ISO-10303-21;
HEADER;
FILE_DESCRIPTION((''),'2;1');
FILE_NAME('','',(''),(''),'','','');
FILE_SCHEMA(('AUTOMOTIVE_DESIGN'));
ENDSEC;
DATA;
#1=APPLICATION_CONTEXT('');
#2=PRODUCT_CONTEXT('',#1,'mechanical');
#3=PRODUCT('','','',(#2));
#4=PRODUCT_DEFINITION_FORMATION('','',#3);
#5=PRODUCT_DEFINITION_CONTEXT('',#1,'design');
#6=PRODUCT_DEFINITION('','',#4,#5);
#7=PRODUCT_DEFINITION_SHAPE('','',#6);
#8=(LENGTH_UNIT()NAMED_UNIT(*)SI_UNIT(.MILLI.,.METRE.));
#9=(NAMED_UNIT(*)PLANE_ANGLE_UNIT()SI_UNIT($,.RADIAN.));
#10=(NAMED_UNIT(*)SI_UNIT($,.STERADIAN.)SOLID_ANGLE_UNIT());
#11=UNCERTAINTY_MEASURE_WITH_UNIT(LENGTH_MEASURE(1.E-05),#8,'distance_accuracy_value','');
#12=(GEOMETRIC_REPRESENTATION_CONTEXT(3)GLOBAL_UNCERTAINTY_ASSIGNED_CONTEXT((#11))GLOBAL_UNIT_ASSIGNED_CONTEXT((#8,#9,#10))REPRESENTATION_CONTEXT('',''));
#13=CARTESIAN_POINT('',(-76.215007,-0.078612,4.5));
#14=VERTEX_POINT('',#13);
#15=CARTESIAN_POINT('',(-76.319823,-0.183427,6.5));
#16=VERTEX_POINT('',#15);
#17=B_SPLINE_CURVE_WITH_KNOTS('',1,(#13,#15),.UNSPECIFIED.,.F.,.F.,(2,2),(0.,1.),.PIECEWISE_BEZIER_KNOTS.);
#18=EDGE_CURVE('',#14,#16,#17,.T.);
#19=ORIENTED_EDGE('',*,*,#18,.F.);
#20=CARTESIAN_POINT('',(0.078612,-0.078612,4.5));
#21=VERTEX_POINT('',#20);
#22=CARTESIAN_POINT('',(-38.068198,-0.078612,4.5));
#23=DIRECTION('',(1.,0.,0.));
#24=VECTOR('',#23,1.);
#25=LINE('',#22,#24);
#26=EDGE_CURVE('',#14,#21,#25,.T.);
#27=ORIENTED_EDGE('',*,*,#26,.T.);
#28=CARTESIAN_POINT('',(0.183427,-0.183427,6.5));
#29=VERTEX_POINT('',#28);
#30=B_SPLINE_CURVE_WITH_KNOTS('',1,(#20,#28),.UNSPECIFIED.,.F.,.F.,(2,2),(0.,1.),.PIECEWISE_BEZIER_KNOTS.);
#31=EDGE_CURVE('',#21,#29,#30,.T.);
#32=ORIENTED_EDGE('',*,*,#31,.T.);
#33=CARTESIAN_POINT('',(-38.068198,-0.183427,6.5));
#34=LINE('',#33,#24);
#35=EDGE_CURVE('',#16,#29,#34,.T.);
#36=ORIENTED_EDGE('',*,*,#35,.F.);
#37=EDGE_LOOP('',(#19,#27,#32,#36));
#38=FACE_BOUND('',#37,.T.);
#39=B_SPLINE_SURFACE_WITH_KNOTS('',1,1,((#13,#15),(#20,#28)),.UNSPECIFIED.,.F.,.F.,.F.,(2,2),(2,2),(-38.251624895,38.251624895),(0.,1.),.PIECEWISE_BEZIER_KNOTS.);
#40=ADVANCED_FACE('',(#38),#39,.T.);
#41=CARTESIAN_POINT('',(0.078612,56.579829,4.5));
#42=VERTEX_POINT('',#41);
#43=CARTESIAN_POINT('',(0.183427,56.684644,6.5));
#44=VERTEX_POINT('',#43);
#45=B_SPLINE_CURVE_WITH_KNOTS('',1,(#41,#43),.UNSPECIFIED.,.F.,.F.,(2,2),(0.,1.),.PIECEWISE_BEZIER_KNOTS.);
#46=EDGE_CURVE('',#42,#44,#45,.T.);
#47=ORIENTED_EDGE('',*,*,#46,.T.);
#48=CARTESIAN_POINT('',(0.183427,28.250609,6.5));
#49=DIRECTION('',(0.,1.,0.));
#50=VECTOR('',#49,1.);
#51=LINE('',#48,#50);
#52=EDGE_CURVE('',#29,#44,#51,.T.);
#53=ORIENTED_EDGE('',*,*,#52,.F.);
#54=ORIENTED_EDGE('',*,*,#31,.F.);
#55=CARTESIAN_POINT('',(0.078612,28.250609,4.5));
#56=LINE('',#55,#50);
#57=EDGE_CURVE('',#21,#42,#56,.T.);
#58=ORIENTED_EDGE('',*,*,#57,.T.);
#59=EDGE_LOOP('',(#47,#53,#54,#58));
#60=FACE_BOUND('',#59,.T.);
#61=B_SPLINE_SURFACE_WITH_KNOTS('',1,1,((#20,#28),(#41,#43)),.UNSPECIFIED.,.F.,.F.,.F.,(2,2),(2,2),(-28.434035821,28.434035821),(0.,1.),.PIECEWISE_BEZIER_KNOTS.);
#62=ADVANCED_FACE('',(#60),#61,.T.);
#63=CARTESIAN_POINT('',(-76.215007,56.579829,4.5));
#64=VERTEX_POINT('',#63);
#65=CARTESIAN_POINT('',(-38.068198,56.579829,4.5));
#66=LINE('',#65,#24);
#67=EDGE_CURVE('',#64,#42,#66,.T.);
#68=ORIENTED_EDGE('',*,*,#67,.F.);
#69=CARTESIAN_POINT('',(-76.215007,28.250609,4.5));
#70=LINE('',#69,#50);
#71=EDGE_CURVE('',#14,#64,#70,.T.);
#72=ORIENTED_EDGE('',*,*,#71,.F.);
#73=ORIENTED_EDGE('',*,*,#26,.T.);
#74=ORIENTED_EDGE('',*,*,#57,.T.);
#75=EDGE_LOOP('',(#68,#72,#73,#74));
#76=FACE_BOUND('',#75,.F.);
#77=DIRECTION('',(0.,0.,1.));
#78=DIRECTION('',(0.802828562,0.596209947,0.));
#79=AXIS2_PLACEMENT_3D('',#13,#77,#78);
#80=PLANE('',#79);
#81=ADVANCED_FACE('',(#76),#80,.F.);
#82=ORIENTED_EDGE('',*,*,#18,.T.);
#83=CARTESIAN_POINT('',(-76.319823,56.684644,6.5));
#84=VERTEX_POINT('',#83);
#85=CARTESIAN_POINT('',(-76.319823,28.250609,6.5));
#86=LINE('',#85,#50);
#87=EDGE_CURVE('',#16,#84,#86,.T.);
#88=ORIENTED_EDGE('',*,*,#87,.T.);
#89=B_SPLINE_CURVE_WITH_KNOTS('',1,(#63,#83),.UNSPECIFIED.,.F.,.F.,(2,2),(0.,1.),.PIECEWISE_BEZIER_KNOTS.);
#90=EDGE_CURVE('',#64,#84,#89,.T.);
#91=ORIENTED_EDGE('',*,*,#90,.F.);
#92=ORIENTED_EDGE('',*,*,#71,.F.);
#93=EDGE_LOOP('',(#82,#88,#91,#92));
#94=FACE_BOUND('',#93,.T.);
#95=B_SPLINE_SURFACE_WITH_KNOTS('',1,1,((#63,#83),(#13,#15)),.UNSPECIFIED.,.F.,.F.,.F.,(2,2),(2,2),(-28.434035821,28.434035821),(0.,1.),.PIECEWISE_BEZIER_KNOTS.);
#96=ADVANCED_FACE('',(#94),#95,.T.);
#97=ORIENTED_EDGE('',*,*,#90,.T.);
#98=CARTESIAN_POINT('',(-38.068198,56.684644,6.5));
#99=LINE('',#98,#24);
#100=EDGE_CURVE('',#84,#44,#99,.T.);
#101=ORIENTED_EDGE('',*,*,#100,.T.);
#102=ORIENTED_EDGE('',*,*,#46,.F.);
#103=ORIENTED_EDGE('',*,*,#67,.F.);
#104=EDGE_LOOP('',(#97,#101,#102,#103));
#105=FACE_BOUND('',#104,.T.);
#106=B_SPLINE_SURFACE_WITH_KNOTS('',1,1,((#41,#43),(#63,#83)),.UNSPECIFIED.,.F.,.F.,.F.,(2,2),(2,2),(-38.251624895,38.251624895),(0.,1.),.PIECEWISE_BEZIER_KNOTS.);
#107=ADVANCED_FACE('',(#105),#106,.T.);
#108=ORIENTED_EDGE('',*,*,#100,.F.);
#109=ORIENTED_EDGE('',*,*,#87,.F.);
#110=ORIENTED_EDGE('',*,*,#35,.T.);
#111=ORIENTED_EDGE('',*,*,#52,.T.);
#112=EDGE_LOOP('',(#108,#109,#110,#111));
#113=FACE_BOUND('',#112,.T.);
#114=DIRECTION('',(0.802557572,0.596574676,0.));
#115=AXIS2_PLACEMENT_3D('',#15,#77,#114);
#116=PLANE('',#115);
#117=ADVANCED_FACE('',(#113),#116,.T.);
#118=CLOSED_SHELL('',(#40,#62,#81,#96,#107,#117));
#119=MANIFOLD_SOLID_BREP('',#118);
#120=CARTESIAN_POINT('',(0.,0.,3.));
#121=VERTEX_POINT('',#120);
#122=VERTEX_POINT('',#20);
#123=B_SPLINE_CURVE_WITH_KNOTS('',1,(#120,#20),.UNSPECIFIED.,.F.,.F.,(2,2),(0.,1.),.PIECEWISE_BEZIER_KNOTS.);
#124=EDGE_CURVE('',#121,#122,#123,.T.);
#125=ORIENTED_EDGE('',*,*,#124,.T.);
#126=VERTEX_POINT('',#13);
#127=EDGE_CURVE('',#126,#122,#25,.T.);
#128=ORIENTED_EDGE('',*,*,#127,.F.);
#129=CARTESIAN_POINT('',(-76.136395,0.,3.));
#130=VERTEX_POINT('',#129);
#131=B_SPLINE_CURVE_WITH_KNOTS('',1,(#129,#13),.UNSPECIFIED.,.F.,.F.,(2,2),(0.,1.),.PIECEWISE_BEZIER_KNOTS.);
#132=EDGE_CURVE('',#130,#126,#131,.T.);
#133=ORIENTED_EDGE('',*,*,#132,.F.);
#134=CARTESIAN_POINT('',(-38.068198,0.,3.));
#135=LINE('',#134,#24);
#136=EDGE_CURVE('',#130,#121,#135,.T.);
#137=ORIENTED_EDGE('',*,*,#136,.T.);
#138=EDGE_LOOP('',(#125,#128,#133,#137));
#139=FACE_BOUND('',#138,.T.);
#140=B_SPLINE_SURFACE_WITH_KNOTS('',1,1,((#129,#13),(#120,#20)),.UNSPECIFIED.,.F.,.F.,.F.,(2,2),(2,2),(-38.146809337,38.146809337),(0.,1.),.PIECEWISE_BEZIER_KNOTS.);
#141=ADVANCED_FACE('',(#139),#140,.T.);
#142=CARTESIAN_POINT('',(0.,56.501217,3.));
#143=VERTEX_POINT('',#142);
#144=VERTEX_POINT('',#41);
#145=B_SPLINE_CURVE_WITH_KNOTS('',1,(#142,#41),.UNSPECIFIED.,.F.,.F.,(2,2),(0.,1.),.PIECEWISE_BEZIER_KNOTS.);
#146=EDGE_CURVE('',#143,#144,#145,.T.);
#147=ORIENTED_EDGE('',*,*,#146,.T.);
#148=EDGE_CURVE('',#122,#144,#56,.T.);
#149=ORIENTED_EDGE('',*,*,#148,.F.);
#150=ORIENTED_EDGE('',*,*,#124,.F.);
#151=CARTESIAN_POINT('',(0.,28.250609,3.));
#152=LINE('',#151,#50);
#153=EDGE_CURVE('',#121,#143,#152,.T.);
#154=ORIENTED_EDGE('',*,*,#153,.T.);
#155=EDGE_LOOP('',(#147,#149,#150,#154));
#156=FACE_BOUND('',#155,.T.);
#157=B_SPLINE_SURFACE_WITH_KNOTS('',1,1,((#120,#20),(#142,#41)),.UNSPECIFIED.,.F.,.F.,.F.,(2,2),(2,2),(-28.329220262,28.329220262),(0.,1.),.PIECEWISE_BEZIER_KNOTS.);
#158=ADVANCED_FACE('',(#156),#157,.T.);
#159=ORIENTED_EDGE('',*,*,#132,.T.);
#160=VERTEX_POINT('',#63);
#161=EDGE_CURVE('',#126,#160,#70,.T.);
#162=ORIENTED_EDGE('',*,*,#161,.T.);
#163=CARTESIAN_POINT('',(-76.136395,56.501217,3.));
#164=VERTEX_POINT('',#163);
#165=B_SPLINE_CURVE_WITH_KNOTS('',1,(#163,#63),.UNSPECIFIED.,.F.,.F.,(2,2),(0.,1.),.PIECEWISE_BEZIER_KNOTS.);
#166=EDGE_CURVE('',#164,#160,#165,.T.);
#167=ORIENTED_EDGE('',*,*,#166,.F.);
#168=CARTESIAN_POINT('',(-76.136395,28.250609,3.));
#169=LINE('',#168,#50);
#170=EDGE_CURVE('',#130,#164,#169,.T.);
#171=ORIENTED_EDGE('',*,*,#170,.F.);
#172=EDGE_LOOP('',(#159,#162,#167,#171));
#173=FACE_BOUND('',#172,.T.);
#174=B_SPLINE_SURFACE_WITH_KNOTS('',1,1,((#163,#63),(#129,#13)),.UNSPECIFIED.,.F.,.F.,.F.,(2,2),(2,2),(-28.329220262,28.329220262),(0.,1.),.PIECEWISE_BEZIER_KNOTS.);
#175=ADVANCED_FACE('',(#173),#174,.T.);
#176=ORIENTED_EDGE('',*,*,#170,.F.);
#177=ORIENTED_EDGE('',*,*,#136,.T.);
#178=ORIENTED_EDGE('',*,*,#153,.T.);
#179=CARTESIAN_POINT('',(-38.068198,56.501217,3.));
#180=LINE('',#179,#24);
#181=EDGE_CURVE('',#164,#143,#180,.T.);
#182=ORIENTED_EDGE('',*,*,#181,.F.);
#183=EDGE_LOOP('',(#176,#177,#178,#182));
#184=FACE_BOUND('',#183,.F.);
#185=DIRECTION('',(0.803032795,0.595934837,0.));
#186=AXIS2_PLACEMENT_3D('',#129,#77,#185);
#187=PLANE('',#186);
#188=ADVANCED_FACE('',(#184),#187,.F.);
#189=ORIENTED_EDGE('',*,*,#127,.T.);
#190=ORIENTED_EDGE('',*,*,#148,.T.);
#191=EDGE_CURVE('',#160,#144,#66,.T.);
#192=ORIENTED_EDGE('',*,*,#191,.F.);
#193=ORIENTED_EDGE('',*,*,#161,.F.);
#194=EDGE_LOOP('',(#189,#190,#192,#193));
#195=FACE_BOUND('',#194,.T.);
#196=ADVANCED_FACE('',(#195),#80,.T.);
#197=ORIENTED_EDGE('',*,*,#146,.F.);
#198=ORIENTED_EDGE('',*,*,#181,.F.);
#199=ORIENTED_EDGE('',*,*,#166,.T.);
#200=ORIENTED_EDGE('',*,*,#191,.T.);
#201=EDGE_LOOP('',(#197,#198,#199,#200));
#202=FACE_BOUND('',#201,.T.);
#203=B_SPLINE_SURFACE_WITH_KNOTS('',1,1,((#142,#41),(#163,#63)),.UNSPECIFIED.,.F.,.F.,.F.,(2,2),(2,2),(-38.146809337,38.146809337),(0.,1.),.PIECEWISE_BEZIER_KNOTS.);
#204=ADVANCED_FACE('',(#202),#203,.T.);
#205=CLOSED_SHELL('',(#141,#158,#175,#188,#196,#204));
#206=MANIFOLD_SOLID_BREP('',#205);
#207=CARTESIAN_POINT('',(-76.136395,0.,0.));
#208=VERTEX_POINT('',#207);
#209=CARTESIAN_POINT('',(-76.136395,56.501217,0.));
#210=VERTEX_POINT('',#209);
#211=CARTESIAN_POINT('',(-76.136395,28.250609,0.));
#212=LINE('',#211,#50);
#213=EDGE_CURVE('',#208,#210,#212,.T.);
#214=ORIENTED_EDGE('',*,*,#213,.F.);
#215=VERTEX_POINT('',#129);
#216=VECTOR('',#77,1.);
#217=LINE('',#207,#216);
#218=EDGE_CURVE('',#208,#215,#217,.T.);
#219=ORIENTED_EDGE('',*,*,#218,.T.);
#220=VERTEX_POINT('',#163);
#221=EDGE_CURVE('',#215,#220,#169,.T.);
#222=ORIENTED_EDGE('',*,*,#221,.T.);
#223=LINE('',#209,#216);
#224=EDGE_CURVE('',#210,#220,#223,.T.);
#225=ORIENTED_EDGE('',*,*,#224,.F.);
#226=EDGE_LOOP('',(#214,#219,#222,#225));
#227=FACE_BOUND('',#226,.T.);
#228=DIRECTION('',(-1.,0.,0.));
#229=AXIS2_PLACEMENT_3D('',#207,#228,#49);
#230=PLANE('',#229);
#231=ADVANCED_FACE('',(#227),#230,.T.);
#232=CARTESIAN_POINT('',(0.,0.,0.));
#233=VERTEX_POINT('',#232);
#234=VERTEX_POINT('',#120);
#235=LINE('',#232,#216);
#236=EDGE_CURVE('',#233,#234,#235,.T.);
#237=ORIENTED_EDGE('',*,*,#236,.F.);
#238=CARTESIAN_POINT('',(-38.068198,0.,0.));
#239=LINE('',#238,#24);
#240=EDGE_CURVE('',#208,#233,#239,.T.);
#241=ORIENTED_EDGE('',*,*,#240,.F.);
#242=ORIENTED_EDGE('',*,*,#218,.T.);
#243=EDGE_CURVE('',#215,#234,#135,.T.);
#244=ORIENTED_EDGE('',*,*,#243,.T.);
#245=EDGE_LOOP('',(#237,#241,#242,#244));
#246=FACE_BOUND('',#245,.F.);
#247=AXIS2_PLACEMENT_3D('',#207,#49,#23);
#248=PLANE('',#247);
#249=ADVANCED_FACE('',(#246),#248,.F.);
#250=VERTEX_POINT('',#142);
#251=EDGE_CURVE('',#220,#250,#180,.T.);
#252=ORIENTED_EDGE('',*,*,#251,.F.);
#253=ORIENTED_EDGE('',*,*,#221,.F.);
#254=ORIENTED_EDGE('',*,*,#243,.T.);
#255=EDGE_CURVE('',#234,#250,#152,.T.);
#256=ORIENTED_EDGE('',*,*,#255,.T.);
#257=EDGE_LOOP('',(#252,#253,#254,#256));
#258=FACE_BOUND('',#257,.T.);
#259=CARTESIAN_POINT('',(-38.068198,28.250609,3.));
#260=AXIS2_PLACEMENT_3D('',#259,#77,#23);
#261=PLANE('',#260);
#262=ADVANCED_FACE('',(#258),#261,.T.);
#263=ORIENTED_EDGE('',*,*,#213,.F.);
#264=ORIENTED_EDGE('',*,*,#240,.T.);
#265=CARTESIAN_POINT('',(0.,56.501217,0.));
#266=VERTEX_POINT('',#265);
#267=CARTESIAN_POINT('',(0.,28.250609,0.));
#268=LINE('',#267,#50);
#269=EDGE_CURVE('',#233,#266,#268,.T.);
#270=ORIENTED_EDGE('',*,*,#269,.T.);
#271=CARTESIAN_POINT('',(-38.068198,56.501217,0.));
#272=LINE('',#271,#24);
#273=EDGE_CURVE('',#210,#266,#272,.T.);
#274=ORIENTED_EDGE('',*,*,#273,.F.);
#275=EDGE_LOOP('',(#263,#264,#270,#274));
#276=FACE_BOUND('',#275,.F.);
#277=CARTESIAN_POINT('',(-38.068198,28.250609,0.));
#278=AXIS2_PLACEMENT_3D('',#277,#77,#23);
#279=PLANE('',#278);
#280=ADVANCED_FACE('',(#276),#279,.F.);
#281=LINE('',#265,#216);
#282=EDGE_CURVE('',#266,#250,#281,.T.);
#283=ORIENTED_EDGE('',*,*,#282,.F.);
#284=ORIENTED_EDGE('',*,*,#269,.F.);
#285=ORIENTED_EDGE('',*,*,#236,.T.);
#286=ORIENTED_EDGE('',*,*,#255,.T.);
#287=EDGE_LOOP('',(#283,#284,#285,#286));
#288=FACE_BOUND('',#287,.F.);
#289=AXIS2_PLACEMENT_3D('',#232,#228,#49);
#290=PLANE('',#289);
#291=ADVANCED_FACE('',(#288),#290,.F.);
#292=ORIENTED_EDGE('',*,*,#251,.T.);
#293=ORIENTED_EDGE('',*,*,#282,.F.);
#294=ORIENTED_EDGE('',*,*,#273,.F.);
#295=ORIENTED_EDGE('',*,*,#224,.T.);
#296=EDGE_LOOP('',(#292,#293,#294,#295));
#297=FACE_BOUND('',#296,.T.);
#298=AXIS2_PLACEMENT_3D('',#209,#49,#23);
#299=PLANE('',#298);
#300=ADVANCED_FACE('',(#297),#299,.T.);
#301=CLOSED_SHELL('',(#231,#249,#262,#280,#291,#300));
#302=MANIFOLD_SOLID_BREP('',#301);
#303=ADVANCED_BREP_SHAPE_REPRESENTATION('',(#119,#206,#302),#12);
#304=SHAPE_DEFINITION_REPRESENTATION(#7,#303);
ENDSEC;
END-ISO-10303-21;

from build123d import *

# Parameters (mm, degrees)
F0_W     = 76.1363953352
F0_H     = 56.5012171865
F1_DEPTH = 3
F2_W     = 76.1363953352
F2_H     = 56.5012171865
F3_DEPTH = 1.5
F3_TAPER = -3
F4_W     = 76.293618673
F4_H     = 56.6584405243
F5_DEPTH = 2
F5_TAPER = -3


with BuildPart() as f1:
    # F0 (on Top) → F1 (new body)
    with BuildSketch(Plane.XY):
        with Locations((-38.0681976676, 28.2506085932)):
            Rectangle(F0_W, F0_H)
    extrude(amount=F1_DEPTH)


with BuildPart() as f3:
    # F2 (on face) → F3 (new body)
    with BuildSketch(Plane.XY.offset(3)):
        with Locations((-38.0681976676, 28.2506085932)):
            Rectangle(F2_W, F2_H)
    extrude(amount=F3_DEPTH, taper=F3_TAPER)


with BuildPart() as f5:
    # F4 (on face) → F5 (new body)
    with BuildSketch(Plane.XY.offset(4.5)):
        with Locations((-38.0681976676, 28.2506085932)):
            Rectangle(F4_W, F4_H)
    extrude(amount=F5_DEPTH, taper=F5_TAPER)


solid = Compound([f1.part, f3.part, f5.part])
